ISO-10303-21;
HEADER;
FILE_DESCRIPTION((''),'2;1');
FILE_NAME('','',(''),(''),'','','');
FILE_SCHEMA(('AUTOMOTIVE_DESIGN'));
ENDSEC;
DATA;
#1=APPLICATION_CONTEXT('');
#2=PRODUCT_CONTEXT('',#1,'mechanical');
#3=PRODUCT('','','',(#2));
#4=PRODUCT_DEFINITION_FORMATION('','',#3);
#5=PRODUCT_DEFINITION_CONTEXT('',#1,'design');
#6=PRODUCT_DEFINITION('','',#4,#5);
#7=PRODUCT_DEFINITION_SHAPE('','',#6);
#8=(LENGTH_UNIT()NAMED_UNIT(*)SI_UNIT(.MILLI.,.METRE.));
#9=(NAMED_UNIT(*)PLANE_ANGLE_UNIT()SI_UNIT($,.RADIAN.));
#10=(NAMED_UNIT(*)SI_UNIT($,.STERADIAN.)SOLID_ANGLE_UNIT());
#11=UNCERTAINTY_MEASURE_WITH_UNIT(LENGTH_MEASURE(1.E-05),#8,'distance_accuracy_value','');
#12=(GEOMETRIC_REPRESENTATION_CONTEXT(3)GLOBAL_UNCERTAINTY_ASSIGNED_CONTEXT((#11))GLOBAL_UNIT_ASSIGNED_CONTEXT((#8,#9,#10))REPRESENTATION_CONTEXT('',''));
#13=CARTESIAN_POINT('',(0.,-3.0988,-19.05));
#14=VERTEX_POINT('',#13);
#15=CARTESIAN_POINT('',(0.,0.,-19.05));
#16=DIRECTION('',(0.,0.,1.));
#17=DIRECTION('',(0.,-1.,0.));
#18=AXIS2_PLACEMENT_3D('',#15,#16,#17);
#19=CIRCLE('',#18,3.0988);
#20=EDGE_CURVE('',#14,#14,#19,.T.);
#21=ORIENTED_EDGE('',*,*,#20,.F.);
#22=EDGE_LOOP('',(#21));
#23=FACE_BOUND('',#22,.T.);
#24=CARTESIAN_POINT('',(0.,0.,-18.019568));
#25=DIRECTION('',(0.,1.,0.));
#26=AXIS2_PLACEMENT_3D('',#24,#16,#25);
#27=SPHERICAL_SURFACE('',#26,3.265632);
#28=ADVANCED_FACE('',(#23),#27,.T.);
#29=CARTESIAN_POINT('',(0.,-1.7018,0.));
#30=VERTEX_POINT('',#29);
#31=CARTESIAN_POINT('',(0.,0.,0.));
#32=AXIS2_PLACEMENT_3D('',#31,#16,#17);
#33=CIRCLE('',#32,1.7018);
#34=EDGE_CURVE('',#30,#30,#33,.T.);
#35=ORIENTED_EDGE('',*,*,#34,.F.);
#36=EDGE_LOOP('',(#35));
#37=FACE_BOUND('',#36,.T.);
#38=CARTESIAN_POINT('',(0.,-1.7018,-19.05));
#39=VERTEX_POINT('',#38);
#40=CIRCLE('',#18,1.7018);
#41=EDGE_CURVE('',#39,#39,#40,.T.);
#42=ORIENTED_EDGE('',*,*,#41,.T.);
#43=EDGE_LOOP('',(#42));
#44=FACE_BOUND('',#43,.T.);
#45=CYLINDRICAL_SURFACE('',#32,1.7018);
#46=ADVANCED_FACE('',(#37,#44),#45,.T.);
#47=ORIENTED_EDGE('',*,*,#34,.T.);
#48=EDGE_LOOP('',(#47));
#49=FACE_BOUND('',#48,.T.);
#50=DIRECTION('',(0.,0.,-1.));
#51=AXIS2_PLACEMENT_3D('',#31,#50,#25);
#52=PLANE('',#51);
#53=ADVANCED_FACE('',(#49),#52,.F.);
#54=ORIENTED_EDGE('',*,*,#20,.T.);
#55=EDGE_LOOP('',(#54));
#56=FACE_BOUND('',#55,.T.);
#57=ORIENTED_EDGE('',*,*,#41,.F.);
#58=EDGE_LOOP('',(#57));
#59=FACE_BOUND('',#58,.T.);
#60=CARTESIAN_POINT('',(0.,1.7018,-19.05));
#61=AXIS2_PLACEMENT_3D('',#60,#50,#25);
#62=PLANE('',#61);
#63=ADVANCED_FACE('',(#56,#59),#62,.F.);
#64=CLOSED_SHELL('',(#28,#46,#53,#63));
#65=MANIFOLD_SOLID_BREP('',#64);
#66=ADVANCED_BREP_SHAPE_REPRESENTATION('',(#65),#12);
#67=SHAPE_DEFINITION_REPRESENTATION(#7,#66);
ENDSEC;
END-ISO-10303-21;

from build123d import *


with BuildPart() as part:
    # Sketch2 → Revolve1 (revolve)
    with BuildSketch(Plane(origin=(0, 0, 0), x_dir=(0, 0, -1), z_dir=(1, 0, 0))):
        with BuildLine():
            Line((0, 0), (0, 1.7018))
            Line((0, 1.7018), (19.05, 1.7018))
            Line((19.05, 1.7018), (19.05, 3.0988))
            ThreePointArc((19.05, 3.0988), (20.668092498, 1.910410982), (21.2852, 0))
            Line((21.2852, 0), (0, 0))
        make_face()
    revolve(axis=Axis((0, 0, 0), (0, 0, -1)))


solid = part.part
